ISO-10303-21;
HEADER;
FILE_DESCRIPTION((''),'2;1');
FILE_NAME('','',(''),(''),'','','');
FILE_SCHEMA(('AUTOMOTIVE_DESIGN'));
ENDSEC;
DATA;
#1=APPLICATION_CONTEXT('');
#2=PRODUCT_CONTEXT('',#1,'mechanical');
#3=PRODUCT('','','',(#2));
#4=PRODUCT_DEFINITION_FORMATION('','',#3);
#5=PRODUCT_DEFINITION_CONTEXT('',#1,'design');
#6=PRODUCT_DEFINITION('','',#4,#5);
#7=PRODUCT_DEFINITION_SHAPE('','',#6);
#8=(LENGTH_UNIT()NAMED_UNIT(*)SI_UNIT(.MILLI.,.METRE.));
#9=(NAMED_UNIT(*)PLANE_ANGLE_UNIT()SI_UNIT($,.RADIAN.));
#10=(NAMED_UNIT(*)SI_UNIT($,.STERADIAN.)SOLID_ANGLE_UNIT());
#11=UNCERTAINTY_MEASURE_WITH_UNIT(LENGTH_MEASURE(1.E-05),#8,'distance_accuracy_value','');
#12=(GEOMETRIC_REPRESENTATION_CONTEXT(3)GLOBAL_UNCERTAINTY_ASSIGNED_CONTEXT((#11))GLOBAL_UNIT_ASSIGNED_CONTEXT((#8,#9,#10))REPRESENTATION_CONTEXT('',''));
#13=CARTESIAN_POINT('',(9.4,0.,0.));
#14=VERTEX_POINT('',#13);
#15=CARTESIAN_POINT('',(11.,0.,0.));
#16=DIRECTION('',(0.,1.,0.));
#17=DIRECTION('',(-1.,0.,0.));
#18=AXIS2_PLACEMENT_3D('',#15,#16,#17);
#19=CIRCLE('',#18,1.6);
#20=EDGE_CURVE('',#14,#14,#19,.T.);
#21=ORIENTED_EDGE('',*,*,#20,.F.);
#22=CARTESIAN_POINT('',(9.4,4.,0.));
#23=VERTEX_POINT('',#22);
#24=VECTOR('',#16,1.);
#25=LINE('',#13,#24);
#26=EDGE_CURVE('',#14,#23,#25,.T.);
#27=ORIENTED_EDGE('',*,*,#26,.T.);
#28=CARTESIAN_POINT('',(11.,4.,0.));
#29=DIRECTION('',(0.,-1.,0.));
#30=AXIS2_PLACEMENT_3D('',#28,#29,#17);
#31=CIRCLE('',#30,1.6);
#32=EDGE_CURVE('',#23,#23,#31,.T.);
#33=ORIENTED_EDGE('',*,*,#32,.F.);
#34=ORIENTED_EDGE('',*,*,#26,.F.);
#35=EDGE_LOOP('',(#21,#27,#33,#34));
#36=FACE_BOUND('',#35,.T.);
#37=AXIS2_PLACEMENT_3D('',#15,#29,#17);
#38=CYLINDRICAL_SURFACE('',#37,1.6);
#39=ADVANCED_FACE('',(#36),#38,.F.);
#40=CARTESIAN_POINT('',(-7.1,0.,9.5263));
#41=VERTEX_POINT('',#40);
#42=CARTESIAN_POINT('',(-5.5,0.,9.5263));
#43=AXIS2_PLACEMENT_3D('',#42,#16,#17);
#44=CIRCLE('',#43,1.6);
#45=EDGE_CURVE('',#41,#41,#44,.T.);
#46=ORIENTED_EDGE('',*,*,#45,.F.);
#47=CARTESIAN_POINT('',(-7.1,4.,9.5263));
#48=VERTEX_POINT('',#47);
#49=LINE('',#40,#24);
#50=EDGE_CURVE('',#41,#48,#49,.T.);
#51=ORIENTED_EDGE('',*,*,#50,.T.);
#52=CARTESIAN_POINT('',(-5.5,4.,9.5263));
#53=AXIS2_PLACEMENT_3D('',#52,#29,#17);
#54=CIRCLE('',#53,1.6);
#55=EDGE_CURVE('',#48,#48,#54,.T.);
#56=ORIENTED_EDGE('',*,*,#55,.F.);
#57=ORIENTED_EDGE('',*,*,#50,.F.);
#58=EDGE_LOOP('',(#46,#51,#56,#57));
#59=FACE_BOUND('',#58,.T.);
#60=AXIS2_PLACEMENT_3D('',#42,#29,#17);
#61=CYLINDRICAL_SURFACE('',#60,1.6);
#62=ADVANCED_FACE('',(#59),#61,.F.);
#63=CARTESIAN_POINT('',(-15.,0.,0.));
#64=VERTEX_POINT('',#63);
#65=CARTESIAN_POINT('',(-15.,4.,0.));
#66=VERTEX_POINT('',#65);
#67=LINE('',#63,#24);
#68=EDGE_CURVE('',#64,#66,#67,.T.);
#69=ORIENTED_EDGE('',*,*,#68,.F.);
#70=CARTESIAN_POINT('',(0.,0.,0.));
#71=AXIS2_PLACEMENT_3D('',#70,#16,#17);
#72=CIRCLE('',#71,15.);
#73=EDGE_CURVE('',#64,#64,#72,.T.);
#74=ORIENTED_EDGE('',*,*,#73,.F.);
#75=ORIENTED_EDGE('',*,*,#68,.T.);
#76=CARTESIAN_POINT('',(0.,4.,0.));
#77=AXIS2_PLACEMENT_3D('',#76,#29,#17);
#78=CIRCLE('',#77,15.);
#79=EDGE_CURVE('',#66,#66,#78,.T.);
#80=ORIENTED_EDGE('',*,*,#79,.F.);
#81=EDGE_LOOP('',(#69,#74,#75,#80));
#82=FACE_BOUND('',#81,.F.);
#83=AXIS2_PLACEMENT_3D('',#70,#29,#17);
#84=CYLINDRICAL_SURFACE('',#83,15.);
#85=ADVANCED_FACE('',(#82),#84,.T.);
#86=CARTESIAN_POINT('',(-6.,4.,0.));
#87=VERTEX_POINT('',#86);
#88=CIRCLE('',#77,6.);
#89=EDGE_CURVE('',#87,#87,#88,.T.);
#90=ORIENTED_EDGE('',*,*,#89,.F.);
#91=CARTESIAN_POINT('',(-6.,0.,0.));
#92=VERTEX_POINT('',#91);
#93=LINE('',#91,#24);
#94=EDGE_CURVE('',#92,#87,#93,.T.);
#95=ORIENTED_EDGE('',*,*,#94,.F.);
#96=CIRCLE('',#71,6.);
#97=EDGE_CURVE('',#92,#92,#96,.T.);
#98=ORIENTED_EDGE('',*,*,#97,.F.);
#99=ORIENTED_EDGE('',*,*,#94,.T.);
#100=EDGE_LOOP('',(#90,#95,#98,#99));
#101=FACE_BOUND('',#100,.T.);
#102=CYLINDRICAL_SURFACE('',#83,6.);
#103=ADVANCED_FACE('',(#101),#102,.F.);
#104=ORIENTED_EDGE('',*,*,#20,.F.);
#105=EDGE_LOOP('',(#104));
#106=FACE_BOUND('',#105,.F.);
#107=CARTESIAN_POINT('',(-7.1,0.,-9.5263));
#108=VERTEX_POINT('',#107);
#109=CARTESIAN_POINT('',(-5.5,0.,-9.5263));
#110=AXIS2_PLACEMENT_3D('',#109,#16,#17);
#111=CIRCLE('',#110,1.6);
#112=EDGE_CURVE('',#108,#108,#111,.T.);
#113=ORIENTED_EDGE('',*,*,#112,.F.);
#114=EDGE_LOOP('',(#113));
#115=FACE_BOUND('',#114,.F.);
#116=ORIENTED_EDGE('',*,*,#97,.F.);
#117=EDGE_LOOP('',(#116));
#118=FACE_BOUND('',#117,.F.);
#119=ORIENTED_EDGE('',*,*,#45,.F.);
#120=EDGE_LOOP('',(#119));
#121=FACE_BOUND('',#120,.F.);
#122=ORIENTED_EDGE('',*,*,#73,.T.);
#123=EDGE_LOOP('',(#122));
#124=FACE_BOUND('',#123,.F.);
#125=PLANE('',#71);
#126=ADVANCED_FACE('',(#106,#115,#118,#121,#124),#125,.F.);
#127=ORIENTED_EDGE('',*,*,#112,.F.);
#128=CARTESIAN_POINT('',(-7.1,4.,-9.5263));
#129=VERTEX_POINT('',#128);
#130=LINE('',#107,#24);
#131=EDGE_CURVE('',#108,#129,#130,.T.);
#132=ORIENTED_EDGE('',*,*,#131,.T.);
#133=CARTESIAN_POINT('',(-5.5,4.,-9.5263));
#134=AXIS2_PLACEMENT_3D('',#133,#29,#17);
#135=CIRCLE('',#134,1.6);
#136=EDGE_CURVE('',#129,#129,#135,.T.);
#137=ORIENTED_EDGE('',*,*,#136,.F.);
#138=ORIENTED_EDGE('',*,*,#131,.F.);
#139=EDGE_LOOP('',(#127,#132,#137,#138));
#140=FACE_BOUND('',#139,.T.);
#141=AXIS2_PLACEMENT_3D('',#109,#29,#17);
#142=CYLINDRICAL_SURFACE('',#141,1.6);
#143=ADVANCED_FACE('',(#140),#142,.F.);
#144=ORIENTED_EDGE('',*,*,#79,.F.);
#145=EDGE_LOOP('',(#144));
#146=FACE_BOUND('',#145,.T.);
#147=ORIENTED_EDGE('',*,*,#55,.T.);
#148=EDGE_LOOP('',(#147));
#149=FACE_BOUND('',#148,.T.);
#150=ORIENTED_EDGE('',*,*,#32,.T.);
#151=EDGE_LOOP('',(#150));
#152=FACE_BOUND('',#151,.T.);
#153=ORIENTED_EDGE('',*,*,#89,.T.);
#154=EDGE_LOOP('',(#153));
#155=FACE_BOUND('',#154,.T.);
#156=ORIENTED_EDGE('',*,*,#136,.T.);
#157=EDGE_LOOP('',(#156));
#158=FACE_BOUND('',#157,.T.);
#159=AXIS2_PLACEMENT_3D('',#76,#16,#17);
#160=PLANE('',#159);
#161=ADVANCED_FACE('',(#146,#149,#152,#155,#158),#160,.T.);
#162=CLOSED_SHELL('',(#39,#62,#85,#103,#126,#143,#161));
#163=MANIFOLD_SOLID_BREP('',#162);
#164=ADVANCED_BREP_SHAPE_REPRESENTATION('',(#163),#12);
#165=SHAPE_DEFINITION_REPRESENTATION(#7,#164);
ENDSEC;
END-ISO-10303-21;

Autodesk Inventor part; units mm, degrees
ref_plane "YZ Plane" through (0, 0, 0) normal (1, 0, 0) x (0, 1, 0)
ref_plane "XZ Plane" through (0, 0, 0) normal (0, 1, 0) x (-1, 0, 0)
ref_plane "XY Plane" through (0, 0, 0) normal (0, 0, 1) x (1, 0, 0)
sketch "Skizze1" plane through (0, 0, 0) normal (0, 1, 0) x (-1, 0, 0)
  circle A0 centre (0, 0) radius 15
  circle A1 centre (0, 0) radius 6
  circle A2 centre (0, 0) radius 11
  line L0 (0, 0) -> (-26.7883, 0)
  line L1 (0, 0) -> (13.3942, -23.1994)
  line L2 (0, 0) -> (13.3942, 23.1994)
  circle A3 centre (5.5, -9.5263) radius 1.6
  circle A4 centre (5.5, 9.5263) radius 1.6
  circle A5 centre (-11, 0) radius 1.6
  dimension "d0" = 30
  dimension "d1" = 12
  dimension "d3" = 22
  dimension "d6" = 360
  dimension "d8" = 3.2
  dimension "d9" = 3.2
  dimension "d10" = 3.2
extrude "Extrusion1" add sketch "Skizze1" along normal blind 4 contours A0 L1 A3 A2 A4 L2 | L2 A4 A2 A5 L0 A0 | A0 L0 A5 A2 A3 L1 | A4 L2 A1 L0 A5 A2 | A2 A5 L0 A1 L1 A3 | A2 A3 L1 A1 L2 A4
properties part number "01-03-01-02 Zeichnung Zange links oben"
